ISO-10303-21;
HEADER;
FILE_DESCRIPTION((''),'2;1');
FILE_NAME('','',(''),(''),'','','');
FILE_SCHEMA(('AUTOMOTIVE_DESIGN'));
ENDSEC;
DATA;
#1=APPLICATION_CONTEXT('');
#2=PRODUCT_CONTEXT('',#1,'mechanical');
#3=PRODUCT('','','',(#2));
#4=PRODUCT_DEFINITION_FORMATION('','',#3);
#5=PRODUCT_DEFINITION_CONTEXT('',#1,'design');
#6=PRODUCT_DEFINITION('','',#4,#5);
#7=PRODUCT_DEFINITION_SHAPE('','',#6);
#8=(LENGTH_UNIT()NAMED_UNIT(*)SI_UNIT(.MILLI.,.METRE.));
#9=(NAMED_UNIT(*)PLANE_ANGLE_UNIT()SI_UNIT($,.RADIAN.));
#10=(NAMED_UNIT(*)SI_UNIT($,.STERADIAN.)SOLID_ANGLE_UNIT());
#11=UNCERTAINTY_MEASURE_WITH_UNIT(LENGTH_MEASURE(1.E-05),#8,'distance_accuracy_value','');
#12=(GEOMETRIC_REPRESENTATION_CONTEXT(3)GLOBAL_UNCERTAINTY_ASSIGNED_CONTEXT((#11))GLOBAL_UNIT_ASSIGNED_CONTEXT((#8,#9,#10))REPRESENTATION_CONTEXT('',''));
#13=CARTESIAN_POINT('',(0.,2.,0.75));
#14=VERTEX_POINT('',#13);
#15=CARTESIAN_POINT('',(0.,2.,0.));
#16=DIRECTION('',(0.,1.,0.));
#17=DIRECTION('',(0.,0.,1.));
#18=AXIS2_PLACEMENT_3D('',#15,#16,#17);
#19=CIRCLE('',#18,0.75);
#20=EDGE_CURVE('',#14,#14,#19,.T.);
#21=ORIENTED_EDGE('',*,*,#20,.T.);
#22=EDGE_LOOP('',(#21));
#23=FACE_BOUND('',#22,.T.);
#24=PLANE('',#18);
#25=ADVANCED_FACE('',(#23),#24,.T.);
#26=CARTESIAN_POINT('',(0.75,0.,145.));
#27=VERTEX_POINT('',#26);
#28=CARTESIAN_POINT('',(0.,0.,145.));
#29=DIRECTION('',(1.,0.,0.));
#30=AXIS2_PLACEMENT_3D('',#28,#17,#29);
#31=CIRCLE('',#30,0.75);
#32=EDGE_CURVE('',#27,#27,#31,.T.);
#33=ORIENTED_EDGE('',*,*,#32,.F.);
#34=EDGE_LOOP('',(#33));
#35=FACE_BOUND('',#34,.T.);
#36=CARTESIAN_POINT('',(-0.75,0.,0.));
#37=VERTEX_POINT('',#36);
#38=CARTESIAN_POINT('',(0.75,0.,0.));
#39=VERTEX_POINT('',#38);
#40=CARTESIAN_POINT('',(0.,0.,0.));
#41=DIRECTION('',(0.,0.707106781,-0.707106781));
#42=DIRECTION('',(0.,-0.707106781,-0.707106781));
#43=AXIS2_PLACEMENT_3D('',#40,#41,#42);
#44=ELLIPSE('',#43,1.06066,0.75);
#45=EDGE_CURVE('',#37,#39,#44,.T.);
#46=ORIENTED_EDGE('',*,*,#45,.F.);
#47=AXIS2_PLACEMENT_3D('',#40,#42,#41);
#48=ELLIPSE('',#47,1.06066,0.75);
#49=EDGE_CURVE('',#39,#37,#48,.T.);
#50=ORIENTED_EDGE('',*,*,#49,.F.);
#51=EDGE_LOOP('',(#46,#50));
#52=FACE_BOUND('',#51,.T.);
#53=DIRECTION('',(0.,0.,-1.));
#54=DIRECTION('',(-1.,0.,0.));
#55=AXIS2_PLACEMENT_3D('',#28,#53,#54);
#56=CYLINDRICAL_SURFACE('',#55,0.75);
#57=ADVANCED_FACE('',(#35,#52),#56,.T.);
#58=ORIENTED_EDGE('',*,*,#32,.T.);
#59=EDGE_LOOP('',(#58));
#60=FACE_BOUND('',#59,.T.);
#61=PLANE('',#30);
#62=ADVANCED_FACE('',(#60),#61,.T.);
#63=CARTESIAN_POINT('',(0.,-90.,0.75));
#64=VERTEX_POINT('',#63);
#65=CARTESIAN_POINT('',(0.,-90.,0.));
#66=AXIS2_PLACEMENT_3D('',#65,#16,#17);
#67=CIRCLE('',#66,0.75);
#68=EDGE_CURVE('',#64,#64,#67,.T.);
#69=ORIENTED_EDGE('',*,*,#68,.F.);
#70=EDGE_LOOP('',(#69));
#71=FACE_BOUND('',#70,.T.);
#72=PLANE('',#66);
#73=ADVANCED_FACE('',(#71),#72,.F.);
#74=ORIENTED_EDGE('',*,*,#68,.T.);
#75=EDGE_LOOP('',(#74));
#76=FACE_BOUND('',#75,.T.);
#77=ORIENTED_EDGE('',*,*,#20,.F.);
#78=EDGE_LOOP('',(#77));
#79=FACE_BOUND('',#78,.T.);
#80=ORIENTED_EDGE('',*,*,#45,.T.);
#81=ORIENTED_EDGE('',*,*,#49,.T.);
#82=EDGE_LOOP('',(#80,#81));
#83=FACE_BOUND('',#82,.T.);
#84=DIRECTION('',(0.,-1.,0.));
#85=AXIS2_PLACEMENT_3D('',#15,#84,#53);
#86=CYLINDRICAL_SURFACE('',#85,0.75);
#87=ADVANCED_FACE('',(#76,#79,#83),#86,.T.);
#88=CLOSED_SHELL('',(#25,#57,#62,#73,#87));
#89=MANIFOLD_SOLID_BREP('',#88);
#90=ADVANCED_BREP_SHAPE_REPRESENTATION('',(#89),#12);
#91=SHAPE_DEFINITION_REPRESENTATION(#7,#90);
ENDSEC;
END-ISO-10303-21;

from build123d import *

# Parameters (mm, degrees)
SKETCH_1_R           = 0.75
EXTRUDE_1_DEPTH      = 145
EXTRUDE_2_DEPTH      = 2
EXTRUDE_2_DEPTH_BACK = 90
SKETCH_2_R           = 0.75


with BuildPart() as part:
    # 草图1 → 凸台-拉伸1 (new body)
    with BuildSketch(Plane.XY):
        Circle(SKETCH_1_R)
    extrude(amount=EXTRUDE_1_DEPTH)

    # 草图2 → 凸台-拉伸2 (add, two sides: drawn at the far end of the back side and taken through both)
    with BuildSketch(Plane(origin=(0, 0, 0), x_dir=(1, 0, 0), z_dir=(0, 1, 0)).offset(-EXTRUDE_2_DEPTH_BACK)):
        with Locations(Location((0, 0, 0), (0, 0, 270))):
            Circle(SKETCH_2_R)
    extrude(amount=EXTRUDE_2_DEPTH + EXTRUDE_2_DEPTH_BACK)


solid = part.part
